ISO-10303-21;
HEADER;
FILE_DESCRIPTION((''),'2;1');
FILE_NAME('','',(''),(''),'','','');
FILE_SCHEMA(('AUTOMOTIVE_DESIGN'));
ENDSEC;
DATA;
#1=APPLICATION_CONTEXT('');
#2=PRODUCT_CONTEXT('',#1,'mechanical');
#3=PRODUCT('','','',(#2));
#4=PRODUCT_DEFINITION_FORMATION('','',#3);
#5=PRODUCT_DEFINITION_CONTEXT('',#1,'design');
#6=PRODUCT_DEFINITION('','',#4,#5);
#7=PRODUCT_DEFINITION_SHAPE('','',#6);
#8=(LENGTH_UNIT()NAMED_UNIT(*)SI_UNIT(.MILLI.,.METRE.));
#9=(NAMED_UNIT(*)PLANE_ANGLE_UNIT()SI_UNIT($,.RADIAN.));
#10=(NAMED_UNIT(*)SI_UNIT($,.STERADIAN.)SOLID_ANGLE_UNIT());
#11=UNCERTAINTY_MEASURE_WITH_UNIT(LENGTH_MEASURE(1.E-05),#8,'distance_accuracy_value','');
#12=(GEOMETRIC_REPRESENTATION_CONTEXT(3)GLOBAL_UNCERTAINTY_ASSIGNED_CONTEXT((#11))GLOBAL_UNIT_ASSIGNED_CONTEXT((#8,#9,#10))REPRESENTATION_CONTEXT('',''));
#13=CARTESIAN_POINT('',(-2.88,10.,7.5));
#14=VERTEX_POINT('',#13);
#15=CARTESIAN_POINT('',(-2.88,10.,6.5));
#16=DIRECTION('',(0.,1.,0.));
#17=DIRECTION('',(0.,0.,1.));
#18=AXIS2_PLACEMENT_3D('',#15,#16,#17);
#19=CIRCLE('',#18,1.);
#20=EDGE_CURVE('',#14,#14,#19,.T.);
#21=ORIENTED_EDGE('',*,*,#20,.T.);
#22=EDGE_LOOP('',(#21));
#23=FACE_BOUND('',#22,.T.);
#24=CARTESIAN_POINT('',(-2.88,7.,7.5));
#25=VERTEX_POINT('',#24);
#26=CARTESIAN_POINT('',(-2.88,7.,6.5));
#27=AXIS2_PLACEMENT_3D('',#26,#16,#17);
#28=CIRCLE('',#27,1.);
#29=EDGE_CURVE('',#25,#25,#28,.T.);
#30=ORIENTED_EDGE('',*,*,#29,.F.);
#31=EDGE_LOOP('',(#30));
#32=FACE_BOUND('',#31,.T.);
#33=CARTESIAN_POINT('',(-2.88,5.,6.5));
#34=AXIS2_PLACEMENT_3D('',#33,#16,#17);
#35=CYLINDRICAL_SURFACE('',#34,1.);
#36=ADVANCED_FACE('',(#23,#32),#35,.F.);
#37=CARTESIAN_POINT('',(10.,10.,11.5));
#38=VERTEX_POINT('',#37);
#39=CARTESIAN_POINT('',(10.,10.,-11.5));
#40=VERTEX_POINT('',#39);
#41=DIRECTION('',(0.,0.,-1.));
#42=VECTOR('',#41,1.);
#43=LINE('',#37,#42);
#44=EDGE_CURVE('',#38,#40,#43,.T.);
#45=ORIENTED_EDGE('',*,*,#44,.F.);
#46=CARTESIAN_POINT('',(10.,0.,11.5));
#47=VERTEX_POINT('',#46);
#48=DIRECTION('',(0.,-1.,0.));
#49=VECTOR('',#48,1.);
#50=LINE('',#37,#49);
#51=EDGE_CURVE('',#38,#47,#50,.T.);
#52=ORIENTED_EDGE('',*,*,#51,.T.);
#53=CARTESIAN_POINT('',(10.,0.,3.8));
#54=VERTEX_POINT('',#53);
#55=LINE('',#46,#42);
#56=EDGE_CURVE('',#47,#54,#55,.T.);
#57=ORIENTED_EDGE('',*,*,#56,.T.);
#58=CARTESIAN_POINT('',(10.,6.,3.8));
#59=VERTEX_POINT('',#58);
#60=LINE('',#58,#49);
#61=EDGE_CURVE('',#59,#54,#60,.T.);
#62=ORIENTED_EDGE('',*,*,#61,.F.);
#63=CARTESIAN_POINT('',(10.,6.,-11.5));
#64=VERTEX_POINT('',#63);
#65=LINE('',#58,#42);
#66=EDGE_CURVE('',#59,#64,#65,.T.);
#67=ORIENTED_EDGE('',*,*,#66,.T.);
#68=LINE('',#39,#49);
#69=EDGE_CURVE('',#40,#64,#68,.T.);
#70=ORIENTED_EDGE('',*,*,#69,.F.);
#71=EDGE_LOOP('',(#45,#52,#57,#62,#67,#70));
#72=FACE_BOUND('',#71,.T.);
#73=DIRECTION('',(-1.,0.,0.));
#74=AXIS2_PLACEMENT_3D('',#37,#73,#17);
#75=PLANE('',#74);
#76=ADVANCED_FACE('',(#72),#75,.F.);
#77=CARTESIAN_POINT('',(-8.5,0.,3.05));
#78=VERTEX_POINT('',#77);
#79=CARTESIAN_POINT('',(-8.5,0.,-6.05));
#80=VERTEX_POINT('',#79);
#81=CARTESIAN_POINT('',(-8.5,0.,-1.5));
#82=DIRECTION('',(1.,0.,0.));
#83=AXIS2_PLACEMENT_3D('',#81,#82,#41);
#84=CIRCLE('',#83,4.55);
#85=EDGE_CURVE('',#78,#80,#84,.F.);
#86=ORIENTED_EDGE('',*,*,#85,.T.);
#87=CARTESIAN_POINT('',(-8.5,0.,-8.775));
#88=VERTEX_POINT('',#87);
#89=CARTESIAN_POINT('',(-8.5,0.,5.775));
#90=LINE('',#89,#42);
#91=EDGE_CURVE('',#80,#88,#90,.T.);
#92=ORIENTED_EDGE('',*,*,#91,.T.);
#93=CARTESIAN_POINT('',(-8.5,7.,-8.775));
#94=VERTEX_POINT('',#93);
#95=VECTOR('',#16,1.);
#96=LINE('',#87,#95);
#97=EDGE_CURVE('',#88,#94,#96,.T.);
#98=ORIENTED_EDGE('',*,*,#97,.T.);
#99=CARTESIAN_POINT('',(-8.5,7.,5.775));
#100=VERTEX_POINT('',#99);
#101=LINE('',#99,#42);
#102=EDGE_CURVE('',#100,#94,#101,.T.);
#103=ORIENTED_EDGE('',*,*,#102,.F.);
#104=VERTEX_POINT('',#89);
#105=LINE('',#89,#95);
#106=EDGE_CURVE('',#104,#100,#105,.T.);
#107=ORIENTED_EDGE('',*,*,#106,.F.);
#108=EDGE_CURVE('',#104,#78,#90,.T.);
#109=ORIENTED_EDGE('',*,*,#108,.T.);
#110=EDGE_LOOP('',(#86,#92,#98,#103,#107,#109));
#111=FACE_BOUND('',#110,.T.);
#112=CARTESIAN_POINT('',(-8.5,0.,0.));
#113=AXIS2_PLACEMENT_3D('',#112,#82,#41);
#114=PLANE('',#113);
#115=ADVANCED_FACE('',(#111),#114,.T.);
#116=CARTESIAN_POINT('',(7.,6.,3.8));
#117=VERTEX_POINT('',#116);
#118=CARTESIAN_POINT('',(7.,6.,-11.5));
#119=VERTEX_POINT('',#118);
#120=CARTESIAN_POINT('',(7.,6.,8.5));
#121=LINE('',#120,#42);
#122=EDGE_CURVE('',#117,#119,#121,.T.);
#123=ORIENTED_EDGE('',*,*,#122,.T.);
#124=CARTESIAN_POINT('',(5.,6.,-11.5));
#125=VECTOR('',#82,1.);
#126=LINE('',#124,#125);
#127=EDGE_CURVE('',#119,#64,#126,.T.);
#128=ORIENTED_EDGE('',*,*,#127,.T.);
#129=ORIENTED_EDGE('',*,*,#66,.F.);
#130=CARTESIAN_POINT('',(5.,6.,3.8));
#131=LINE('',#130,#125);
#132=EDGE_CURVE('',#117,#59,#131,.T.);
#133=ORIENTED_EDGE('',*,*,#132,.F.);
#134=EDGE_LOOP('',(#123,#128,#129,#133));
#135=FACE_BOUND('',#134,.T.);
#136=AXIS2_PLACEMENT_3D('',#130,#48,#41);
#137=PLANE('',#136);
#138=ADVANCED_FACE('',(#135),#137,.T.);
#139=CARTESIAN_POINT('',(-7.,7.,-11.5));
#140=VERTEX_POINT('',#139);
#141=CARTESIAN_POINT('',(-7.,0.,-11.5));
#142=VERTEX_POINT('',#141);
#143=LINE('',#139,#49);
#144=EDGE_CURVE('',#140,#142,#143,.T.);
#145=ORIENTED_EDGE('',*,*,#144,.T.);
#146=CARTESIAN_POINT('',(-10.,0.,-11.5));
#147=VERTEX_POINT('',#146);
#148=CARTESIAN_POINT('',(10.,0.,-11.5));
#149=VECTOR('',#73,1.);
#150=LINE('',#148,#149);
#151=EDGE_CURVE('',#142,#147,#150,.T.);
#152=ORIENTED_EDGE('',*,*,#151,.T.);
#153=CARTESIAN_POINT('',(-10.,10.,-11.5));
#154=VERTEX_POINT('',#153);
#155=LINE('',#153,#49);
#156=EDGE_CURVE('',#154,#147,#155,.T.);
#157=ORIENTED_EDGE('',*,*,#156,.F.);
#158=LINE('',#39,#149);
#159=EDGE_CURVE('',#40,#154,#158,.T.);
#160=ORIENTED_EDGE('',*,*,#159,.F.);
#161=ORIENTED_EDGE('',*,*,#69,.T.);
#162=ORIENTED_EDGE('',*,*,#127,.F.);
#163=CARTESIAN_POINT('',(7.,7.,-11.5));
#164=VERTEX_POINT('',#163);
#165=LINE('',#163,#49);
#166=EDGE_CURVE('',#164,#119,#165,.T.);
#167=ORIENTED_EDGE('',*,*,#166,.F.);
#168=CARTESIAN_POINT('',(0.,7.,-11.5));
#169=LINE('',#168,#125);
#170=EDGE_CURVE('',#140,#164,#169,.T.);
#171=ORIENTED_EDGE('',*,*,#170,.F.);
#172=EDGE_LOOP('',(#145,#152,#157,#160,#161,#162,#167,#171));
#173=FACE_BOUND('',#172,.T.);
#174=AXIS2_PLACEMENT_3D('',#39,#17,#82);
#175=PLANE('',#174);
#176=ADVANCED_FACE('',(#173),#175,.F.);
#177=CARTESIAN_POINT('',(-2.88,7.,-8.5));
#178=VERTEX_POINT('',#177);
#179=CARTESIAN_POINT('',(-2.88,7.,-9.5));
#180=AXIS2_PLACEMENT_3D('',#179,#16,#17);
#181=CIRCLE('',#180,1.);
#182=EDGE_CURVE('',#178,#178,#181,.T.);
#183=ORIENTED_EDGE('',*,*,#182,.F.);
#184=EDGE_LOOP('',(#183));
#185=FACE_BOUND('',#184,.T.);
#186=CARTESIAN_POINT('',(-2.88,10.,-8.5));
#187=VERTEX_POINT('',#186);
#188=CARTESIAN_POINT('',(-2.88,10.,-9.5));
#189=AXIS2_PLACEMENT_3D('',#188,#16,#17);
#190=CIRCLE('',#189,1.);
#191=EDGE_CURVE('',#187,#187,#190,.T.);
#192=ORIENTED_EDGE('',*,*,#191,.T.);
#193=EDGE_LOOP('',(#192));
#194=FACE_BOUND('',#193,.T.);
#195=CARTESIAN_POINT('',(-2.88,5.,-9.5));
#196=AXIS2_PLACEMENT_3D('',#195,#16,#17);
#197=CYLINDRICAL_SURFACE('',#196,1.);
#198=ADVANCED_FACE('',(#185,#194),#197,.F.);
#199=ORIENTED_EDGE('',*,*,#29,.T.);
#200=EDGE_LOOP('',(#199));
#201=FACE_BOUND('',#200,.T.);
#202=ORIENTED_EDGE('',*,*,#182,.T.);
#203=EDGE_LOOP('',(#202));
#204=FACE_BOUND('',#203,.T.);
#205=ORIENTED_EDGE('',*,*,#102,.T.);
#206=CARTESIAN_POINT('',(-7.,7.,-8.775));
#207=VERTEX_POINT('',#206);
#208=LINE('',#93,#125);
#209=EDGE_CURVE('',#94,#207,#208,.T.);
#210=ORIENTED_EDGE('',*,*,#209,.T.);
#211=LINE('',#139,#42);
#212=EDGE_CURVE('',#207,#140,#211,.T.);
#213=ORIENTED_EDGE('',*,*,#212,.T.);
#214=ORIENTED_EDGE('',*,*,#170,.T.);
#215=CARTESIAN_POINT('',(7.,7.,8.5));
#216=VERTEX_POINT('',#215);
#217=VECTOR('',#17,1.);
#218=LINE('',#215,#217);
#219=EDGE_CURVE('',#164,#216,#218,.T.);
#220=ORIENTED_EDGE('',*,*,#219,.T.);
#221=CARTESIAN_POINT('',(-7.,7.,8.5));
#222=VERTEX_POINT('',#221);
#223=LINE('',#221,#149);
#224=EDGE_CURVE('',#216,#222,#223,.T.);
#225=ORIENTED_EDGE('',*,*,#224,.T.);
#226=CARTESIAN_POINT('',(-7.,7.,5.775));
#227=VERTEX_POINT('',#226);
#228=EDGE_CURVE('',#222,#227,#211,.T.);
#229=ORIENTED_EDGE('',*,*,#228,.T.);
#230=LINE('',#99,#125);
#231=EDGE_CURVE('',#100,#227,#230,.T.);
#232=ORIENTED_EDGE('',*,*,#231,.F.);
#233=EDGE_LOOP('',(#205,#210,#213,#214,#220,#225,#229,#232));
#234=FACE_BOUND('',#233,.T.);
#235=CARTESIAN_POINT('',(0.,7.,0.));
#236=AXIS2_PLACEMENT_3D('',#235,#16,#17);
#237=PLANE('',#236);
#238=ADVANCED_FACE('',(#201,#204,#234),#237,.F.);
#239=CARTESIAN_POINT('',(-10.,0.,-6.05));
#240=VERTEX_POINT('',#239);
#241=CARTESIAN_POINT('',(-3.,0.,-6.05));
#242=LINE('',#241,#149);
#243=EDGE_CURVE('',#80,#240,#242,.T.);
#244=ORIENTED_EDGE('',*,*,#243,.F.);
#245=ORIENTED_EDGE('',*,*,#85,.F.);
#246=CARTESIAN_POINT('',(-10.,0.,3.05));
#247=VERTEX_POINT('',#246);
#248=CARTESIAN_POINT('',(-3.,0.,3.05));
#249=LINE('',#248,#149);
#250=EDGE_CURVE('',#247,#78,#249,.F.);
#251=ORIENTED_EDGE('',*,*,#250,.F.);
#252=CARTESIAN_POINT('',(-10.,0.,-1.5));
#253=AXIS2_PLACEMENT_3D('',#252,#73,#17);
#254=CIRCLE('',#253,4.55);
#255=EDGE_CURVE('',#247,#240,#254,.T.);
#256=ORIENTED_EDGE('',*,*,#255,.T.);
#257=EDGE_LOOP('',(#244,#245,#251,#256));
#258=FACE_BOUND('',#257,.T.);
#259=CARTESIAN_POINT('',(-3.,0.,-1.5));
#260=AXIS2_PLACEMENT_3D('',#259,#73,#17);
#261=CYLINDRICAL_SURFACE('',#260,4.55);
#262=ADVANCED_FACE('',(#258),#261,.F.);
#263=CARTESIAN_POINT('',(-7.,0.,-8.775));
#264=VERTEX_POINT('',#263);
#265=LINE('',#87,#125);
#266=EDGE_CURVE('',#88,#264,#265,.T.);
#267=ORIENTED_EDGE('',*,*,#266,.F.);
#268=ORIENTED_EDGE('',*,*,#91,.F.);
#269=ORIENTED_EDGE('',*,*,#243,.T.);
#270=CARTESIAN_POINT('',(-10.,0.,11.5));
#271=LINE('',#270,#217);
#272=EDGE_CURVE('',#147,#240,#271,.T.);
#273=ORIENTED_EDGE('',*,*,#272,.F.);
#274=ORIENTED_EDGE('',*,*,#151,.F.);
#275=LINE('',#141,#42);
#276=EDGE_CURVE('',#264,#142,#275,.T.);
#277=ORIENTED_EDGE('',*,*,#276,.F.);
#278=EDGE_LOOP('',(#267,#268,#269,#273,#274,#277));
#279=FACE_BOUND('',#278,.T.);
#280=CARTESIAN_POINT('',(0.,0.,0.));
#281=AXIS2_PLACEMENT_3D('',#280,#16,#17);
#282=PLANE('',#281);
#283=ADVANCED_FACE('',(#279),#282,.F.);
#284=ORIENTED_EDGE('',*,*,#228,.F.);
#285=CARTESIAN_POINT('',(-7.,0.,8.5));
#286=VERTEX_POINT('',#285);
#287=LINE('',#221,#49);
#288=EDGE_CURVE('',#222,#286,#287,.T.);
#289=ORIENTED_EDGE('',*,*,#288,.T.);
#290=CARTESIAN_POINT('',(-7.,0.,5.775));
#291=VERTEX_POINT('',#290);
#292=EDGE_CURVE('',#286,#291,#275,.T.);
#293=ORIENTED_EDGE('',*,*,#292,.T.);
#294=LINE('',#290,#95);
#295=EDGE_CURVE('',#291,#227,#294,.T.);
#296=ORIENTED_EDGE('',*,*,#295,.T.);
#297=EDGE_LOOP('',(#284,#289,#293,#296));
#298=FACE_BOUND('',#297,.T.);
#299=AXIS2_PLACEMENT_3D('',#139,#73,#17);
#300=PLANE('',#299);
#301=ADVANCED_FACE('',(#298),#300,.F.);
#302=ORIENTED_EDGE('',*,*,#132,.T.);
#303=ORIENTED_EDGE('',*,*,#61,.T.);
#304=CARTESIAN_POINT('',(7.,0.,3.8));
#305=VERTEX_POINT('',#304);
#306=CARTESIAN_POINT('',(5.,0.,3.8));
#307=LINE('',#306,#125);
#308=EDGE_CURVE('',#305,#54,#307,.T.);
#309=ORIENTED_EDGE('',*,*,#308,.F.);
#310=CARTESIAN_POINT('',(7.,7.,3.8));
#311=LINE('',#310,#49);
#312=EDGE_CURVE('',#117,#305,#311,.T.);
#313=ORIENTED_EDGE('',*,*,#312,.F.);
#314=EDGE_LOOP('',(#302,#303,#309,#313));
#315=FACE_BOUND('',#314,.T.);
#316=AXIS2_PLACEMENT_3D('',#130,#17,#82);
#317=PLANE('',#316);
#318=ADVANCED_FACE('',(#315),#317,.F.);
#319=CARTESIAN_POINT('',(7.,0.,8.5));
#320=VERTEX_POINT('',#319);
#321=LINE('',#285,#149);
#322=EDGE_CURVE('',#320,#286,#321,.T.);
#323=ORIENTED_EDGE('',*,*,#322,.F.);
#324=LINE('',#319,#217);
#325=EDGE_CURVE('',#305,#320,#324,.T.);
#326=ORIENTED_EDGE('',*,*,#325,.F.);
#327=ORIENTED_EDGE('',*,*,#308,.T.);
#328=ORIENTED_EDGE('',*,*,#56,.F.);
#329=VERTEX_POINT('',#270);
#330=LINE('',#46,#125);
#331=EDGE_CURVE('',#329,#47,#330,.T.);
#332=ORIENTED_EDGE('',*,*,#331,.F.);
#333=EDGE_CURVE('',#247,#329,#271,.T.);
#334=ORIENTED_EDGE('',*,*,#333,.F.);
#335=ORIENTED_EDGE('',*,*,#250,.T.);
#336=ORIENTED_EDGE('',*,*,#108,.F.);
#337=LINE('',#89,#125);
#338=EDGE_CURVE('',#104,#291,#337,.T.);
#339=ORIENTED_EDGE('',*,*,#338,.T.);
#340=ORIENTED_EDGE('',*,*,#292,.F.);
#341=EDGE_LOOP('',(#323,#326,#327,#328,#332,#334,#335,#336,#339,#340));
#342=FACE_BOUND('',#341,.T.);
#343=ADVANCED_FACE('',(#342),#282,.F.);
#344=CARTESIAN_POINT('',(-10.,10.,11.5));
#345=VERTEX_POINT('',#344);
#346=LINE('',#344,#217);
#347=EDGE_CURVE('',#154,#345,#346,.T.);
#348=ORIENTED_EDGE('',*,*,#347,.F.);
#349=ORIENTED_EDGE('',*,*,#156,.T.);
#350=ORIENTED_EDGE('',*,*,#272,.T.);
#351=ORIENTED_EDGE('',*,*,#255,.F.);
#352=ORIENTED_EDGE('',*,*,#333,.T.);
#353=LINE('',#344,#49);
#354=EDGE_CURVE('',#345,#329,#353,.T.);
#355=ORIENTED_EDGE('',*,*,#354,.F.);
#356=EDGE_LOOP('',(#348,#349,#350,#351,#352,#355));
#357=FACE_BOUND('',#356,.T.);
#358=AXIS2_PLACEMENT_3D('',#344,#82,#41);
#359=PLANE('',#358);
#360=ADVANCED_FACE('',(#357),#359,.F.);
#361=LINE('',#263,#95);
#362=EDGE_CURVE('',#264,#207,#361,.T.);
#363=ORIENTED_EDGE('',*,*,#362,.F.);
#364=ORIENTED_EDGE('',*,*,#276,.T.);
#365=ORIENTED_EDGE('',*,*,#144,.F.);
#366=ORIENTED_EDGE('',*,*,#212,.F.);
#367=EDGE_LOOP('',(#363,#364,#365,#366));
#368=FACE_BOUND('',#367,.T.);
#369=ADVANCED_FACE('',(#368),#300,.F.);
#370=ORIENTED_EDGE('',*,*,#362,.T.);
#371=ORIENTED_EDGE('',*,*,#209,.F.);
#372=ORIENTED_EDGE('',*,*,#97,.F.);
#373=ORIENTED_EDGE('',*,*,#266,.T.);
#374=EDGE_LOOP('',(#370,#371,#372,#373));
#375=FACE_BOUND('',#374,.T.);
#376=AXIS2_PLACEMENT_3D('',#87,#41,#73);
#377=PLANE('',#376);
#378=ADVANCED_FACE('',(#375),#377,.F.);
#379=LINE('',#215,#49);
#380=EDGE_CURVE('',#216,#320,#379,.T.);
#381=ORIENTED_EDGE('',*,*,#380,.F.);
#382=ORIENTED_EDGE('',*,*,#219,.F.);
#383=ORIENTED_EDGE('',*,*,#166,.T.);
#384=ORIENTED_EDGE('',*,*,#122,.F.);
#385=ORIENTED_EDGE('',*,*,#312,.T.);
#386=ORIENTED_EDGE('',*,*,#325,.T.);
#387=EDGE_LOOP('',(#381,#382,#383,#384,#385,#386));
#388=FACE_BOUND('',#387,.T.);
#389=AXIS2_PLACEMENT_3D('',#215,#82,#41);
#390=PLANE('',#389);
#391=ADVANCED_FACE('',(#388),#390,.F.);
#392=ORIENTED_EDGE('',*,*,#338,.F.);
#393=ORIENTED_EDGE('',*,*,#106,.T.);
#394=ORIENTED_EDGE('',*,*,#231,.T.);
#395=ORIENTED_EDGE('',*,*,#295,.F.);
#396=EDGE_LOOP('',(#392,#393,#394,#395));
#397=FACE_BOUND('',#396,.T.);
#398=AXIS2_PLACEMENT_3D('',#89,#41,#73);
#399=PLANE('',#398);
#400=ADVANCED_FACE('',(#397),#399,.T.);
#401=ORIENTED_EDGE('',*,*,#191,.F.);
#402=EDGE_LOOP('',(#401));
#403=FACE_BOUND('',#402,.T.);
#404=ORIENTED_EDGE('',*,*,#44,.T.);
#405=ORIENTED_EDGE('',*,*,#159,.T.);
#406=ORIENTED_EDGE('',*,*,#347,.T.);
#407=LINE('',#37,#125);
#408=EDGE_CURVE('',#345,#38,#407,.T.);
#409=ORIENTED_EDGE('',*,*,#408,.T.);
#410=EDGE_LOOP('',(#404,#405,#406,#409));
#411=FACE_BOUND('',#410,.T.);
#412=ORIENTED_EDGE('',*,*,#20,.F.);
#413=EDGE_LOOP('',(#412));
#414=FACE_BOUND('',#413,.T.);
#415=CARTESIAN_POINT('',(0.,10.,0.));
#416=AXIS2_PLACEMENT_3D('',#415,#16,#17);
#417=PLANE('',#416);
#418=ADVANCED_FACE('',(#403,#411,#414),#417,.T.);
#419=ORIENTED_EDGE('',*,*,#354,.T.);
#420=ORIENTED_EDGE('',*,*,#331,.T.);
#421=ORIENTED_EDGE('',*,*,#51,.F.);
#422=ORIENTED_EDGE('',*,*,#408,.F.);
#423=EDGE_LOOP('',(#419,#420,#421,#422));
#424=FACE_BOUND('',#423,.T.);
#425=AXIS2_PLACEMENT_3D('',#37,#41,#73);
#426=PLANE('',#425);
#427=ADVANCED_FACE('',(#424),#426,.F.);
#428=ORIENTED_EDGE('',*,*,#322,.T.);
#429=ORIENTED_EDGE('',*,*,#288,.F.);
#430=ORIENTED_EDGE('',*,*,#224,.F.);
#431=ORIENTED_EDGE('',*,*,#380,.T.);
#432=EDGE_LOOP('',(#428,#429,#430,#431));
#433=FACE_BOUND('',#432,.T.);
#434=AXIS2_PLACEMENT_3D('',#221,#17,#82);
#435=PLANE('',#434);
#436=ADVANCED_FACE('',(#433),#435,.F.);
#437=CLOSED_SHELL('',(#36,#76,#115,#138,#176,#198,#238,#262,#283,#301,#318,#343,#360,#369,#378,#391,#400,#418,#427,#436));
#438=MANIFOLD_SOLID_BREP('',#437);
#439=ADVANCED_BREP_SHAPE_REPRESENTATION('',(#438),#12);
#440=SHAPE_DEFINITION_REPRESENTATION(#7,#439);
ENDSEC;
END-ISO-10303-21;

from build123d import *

# Parameters (mm, degrees)
SKETCH1_W           = 20
SKETCH1_H           = 23
BOSS_EXTRUDE1_DEPTH = 10
CUT_EXTRUDE13_DEPTH = 7
SKETCH16_R          = 4.55
CUT_EXTRUDE14_DEPTH = 7
SKETCH18_W          = 14.55
SKETCH18_H          = 7
CUT_EXTRUDE16_DEPTH = 1.5
SKETCH20_R          = 1
CUT_EXTRUDE18_DEPTH = 5
SKETCH21_W          = 15.3
SKETCH21_H          = 6
CUT_EXTRUDE19_DEPTH = 5


with BuildPart() as part:
    # Sketch1 → Boss-Extrude1 (new body)
    with BuildSketch(Plane(origin=(0, 0, 0), x_dir=(1, 0, 0), z_dir=(0, 1, 0))):
        Rectangle(SKETCH1_W, SKETCH1_H)
    extrude(amount=BOSS_EXTRUDE1_DEPTH)

    # Sketch15 → Cut-Extrude13 (cut)
    with BuildSketch(Plane.XZ):
        Polygon((0, -11.5), (-7, -11.5), (-7, 8.5), (7, 8.5), (7, -11.5), align=None)
    extrude(amount=-CUT_EXTRUDE13_DEPTH, mode=Mode.SUBTRACT)

    # Sketch16 → Cut-Extrude14 (cut)
    with BuildSketch(Plane.ZY.offset(10)):
        with Locations((-1.5, 0)):
            Circle(SKETCH16_R)
    extrude(amount=-CUT_EXTRUDE14_DEPTH, mode=Mode.SUBTRACT)

    # Sketch18 → Cut-Extrude16 (cut)
    with BuildSketch(Plane(origin=(-7, 0, 0), x_dir=(0, 0, -1), z_dir=(1, 0, 0))):
        with Locations((1.5, 3.5)):
            Rectangle(SKETCH18_W, SKETCH18_H)
    extrude(amount=-CUT_EXTRUDE16_DEPTH, mode=Mode.SUBTRACT)

    # Sketch20 → Cut-Extrude18 (cut)
    with BuildSketch(Plane(origin=(0, 10, 0), x_dir=(1, 0, 0), z_dir=(0, 1, 0))):
        with Locations(Location((-2.88, 9.5, 0), (0, 0, 270))):
            Circle(SKETCH20_R)
        with Locations(Location((-2.88, -6.5, 0), (0, 0, 270))):
            Circle(SKETCH20_R)
    extrude(amount=-CUT_EXTRUDE18_DEPTH, mode=Mode.SUBTRACT)

    # Sketch21 → Cut-Extrude19 (cut)
    with BuildSketch(Plane(origin=(10, 0, 0), x_dir=(0, 0, -1), z_dir=(1, 0, 0))):
        with Locations((3.85, 3)):
            Rectangle(SKETCH21_W, SKETCH21_H)
    extrude(amount=-CUT_EXTRUDE19_DEPTH, mode=Mode.SUBTRACT)


solid = part.part
